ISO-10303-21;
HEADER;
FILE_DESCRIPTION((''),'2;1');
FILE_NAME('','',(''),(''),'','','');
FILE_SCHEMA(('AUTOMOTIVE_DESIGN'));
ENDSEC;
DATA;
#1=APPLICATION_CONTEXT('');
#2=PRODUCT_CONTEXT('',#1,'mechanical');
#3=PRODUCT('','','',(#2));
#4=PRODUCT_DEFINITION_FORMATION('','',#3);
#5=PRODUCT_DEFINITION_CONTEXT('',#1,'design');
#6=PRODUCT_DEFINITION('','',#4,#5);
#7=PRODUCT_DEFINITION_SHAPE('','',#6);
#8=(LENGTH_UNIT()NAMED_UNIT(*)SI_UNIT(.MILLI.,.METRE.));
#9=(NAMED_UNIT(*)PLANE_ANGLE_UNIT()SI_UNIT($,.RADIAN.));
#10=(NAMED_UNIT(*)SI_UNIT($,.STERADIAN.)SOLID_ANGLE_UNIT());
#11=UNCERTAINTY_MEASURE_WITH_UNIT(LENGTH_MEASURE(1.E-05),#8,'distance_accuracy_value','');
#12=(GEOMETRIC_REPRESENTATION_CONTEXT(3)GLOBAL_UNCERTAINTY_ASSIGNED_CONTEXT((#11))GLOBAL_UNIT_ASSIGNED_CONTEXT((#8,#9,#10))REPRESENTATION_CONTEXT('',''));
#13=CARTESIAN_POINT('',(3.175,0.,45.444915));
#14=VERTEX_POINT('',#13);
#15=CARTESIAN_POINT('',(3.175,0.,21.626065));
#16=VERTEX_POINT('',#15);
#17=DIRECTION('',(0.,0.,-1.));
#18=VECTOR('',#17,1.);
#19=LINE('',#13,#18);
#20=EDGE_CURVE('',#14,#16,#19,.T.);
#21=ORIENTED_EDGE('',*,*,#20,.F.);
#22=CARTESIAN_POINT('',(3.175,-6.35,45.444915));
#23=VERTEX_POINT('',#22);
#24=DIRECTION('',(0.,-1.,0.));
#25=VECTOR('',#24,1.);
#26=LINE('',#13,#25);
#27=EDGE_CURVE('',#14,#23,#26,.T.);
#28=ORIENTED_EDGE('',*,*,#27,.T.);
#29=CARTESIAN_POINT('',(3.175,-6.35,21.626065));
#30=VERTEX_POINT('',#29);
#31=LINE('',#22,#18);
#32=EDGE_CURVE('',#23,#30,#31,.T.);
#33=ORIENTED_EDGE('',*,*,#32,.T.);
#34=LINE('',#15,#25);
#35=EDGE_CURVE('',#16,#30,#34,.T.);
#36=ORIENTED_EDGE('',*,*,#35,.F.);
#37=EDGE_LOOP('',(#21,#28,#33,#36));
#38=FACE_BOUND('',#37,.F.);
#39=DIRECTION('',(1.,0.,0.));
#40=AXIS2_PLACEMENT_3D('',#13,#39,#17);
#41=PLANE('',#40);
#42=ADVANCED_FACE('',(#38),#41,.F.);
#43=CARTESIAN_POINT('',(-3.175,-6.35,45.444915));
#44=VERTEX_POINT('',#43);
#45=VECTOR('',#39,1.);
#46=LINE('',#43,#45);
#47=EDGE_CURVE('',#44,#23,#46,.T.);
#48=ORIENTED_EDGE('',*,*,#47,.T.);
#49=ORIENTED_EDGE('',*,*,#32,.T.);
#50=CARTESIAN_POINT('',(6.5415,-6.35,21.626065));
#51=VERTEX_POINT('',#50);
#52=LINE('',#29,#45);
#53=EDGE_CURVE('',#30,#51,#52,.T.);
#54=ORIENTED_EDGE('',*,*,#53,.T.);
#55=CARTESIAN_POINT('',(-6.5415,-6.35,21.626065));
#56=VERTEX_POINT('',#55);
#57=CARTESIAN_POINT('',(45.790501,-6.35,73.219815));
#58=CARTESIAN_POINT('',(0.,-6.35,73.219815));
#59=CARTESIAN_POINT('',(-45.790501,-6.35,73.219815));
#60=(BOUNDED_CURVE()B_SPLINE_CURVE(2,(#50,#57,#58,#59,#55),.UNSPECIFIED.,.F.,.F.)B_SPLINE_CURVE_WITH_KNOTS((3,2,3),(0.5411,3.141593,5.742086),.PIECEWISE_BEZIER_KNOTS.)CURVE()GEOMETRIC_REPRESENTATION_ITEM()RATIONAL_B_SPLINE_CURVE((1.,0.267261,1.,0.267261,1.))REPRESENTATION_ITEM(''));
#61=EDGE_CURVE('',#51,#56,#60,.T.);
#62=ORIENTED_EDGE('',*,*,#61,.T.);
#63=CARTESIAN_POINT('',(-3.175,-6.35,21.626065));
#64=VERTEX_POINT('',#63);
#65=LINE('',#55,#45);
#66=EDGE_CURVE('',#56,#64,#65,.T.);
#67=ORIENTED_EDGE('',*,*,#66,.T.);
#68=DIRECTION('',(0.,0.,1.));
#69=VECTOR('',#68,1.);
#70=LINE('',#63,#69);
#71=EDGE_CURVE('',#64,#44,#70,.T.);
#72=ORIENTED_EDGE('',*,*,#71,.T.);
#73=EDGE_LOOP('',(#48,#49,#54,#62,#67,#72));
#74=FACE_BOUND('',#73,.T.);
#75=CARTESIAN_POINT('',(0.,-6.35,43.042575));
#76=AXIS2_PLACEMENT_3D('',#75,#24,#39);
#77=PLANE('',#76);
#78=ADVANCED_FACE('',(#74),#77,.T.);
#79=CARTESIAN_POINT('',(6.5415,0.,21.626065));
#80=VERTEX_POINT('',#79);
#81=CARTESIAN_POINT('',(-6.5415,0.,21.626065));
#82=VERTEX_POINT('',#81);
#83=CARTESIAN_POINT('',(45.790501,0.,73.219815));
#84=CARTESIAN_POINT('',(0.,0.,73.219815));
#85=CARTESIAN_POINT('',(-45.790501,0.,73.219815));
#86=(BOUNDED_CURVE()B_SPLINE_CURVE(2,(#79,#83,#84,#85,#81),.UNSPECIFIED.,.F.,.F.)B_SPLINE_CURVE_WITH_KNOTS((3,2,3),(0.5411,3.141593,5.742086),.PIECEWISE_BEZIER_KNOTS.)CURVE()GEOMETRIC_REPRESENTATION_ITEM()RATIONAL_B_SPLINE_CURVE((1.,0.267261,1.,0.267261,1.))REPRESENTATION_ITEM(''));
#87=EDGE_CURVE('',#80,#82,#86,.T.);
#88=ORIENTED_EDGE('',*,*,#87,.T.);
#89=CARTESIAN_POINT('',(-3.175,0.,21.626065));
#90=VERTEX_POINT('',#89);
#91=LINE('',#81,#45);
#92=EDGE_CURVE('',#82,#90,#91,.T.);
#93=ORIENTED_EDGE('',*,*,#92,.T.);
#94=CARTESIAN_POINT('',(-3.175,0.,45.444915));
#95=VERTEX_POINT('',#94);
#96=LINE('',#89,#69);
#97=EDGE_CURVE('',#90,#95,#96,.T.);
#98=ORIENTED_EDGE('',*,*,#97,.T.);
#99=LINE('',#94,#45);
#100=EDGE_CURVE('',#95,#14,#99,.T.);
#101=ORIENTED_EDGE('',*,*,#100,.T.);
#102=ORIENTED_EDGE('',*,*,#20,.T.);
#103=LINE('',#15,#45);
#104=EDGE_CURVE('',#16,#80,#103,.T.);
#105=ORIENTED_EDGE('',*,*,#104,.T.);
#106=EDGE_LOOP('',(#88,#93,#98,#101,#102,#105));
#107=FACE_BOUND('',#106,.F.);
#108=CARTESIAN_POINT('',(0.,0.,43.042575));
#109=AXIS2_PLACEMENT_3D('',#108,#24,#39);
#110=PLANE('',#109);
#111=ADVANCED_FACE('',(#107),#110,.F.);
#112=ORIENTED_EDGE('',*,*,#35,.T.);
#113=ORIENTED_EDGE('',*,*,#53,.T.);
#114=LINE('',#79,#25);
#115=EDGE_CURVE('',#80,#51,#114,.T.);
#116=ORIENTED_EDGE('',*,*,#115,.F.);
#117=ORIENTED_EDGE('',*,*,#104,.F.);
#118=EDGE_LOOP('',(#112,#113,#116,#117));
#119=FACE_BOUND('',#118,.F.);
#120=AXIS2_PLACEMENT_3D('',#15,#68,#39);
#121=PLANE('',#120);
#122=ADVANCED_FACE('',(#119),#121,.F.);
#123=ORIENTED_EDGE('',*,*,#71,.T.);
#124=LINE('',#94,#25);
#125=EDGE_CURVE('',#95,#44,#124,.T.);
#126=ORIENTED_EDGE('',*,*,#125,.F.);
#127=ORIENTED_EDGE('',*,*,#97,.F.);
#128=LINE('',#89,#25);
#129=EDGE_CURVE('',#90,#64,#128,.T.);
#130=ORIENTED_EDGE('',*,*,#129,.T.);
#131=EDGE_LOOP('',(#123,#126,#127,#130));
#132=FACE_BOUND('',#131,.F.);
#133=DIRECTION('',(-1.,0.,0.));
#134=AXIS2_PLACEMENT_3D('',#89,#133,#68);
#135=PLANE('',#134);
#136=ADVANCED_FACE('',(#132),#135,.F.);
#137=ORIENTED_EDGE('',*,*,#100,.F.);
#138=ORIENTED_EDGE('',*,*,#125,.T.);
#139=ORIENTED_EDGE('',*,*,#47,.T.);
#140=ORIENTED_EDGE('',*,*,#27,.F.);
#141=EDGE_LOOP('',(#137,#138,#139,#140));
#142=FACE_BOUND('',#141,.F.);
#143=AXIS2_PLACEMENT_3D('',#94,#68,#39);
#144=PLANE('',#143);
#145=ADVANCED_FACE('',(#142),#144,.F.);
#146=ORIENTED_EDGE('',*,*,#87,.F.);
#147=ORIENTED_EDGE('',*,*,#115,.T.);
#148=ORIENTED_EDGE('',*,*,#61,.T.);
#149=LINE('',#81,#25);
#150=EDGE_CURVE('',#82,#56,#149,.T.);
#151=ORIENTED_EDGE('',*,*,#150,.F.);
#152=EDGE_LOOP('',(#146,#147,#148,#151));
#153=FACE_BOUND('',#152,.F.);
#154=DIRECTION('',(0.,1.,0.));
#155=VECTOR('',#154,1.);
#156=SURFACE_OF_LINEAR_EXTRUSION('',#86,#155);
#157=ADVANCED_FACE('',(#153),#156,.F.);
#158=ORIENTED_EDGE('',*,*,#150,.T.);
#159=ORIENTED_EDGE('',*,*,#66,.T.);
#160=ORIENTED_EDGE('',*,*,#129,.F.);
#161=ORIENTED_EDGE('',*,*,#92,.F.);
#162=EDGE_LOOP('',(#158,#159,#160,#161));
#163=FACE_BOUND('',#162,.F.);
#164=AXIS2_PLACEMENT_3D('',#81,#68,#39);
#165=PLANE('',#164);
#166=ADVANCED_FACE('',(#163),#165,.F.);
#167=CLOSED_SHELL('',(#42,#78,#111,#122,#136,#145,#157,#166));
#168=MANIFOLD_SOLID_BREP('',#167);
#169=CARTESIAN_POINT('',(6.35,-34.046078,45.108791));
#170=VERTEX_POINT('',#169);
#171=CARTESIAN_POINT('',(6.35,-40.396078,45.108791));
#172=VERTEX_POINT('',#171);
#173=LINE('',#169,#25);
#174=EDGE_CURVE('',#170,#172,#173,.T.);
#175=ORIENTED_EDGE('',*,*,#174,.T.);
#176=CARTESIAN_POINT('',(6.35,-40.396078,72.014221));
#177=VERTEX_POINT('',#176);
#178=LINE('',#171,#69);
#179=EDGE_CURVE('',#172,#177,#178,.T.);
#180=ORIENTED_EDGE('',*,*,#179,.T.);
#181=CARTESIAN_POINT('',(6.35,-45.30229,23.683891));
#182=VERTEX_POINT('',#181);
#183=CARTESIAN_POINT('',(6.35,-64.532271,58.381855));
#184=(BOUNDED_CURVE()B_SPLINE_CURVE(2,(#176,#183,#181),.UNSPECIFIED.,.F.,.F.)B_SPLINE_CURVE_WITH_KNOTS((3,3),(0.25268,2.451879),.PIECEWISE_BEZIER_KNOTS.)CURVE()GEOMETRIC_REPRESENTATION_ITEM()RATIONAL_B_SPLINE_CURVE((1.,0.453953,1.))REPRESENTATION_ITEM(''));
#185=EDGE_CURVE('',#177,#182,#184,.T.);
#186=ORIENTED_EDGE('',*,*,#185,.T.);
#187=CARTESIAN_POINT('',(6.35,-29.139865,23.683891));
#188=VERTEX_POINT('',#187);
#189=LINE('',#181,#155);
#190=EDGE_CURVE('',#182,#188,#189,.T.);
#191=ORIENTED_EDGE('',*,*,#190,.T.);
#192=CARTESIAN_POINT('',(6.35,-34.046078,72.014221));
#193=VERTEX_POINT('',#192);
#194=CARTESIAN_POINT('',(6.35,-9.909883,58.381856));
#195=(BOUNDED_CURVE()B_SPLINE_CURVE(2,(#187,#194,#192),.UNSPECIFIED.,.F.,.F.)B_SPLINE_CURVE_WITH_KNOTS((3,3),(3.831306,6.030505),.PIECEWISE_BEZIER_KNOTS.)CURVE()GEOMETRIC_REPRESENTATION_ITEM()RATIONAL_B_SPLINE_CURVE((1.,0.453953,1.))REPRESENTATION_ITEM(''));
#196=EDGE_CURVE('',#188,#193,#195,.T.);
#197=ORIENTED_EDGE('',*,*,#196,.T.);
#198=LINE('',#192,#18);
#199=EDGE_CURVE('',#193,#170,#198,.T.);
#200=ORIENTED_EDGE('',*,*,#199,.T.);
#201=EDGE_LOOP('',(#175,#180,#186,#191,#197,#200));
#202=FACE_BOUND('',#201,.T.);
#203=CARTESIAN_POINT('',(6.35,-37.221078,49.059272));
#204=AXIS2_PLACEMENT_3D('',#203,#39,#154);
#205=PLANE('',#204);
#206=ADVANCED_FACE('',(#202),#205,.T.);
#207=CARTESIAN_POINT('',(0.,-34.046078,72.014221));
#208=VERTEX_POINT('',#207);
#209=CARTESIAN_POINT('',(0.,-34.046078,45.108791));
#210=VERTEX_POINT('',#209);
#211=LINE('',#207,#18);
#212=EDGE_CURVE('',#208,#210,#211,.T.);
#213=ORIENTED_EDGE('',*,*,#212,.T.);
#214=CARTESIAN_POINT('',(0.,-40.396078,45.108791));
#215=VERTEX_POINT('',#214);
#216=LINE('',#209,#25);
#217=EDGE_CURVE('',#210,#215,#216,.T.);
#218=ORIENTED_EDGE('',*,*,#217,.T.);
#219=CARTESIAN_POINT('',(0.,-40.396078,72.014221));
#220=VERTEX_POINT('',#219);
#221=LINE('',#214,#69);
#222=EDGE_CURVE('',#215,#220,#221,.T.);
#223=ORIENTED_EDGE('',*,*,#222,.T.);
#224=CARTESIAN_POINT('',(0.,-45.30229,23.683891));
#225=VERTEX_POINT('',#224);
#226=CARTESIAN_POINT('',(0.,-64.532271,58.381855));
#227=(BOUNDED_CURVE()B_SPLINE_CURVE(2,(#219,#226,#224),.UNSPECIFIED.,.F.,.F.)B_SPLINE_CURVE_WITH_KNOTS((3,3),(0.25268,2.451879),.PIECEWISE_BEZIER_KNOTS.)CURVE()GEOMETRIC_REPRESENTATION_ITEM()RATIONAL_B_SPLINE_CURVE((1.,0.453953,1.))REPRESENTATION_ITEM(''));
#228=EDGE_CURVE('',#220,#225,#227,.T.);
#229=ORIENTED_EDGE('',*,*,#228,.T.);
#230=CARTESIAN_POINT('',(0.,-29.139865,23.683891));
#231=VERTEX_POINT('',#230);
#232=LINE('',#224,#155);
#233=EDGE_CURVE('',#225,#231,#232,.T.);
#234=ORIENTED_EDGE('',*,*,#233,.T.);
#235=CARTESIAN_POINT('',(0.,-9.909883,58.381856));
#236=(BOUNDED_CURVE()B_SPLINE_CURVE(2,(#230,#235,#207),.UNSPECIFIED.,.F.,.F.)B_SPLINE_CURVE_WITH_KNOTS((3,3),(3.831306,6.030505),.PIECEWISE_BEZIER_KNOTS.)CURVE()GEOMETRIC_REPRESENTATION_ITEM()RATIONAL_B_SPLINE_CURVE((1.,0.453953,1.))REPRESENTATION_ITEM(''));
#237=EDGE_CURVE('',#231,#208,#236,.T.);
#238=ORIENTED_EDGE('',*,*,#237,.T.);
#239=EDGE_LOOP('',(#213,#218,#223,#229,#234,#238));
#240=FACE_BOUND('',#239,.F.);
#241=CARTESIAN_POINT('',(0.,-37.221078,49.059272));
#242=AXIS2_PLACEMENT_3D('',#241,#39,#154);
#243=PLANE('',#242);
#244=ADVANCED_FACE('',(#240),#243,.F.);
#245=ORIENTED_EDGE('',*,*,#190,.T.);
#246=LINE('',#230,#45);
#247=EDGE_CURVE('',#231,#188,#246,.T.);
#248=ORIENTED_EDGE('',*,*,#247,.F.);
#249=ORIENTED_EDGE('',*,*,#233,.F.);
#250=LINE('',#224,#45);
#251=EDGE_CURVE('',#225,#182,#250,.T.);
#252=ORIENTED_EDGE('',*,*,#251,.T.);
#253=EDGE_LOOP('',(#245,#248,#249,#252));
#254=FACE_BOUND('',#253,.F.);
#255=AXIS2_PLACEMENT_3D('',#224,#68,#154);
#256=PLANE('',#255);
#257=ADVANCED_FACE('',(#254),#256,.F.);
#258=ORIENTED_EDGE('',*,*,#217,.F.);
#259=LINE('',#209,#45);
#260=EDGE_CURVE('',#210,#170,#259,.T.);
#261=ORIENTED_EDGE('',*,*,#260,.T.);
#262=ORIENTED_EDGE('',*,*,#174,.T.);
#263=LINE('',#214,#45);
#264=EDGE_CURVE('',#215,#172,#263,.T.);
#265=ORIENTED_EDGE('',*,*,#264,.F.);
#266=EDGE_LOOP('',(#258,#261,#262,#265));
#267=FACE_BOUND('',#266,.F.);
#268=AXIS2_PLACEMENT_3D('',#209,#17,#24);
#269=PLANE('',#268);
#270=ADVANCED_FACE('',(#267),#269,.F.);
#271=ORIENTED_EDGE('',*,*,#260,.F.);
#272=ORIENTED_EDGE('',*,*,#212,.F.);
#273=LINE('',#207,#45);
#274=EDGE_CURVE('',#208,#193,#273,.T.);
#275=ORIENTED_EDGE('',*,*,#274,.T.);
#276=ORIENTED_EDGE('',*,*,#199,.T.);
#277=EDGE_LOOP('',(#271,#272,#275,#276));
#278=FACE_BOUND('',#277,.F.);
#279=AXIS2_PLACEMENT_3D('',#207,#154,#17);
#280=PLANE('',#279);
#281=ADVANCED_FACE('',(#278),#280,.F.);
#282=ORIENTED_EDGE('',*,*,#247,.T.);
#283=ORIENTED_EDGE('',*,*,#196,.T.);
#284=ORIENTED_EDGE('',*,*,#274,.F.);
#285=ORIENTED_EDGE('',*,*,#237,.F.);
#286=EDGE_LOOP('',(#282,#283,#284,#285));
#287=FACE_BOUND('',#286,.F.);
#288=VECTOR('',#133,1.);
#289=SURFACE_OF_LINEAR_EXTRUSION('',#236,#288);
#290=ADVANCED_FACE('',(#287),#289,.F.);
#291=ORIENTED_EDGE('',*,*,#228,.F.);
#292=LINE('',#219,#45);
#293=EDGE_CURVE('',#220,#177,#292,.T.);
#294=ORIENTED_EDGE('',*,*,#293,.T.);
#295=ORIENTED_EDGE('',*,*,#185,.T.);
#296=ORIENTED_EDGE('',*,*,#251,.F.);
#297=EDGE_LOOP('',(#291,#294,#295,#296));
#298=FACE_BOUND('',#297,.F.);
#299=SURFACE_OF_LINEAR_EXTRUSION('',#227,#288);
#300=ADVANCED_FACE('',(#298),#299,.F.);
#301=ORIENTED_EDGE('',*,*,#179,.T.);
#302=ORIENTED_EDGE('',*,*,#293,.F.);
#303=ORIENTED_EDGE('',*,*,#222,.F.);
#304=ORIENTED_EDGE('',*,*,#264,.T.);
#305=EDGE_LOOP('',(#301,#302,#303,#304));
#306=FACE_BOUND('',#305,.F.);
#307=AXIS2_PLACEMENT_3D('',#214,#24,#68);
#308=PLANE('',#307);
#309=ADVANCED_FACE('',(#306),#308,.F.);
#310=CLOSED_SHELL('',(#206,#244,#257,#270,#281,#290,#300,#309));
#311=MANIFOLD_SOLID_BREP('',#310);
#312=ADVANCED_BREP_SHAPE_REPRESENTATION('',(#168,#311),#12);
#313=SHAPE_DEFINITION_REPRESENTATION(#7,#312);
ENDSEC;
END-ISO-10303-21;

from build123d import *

# Parameters (mm, degrees)
F1_DEPTH = 6.35
F3_DEPTH = 6.35


with BuildPart() as f1:
    # F0 (on Front) → F1 (new body)
    with BuildSketch(Plane.XZ):
        with BuildLine():
            Line((3.175, 21.626065), (6.5415, 21.626065))
            add(Edge.make_bspline(
                [(6.5415, 21.626065), (45.790501, 73.219815), (0, 73.219815), (-45.790501, 73.219815), (-6.5415, 21.626065)],
                knots=[0.5411, 0.5411, 0.5411, 3.141593, 3.141593, 5.742086, 5.742086, 5.742086], degree=2, weights=[1, 0.267261, 1, 0.267261, 1]))
            Line((-6.5415, 21.626065), (-3.175, 21.626065))
            Line((-3.175, 21.626065), (-3.175, 45.444915))
            Line((-3.175, 45.444915), (3.175, 45.444915))
            Line((3.175, 45.444915), (3.175, 21.626065))
        make_face()
    extrude(amount=F1_DEPTH)


with BuildPart() as f3:
    # F2 (on Right) → F3 (new body)
    with BuildSketch(Plane.YZ):
        with BuildLine():
            Line((-40.396078, 45.108791), (-40.396078, 72.014221))
            add(Edge.make_bspline(
                [(-40.396078, 72.014221), (-64.532271, 58.381855), (-45.30229, 23.683891)],
                knots=[0.25268, 0.25268, 0.25268, 2.451879, 2.451879, 2.451879], degree=2, weights=[1, 0.453953, 1]))
            Line((-45.30229, 23.683891), (-29.139865, 23.683891))
            add(Edge.make_bspline(
                [(-29.139865, 23.683891), (-9.909883, 58.381856), (-34.046078, 72.014221)],
                knots=[3.831306, 3.831306, 3.831306, 6.030505, 6.030505, 6.030505], degree=2, weights=[1, 0.453953, 1]))
            Line((-34.046078, 72.014221), (-34.046078, 45.108791))
            Line((-34.046078, 45.108791), (-40.396078, 45.108791))
        make_face()
    extrude(amount=F3_DEPTH)


solid = Compound([f1.part, f3.part])
